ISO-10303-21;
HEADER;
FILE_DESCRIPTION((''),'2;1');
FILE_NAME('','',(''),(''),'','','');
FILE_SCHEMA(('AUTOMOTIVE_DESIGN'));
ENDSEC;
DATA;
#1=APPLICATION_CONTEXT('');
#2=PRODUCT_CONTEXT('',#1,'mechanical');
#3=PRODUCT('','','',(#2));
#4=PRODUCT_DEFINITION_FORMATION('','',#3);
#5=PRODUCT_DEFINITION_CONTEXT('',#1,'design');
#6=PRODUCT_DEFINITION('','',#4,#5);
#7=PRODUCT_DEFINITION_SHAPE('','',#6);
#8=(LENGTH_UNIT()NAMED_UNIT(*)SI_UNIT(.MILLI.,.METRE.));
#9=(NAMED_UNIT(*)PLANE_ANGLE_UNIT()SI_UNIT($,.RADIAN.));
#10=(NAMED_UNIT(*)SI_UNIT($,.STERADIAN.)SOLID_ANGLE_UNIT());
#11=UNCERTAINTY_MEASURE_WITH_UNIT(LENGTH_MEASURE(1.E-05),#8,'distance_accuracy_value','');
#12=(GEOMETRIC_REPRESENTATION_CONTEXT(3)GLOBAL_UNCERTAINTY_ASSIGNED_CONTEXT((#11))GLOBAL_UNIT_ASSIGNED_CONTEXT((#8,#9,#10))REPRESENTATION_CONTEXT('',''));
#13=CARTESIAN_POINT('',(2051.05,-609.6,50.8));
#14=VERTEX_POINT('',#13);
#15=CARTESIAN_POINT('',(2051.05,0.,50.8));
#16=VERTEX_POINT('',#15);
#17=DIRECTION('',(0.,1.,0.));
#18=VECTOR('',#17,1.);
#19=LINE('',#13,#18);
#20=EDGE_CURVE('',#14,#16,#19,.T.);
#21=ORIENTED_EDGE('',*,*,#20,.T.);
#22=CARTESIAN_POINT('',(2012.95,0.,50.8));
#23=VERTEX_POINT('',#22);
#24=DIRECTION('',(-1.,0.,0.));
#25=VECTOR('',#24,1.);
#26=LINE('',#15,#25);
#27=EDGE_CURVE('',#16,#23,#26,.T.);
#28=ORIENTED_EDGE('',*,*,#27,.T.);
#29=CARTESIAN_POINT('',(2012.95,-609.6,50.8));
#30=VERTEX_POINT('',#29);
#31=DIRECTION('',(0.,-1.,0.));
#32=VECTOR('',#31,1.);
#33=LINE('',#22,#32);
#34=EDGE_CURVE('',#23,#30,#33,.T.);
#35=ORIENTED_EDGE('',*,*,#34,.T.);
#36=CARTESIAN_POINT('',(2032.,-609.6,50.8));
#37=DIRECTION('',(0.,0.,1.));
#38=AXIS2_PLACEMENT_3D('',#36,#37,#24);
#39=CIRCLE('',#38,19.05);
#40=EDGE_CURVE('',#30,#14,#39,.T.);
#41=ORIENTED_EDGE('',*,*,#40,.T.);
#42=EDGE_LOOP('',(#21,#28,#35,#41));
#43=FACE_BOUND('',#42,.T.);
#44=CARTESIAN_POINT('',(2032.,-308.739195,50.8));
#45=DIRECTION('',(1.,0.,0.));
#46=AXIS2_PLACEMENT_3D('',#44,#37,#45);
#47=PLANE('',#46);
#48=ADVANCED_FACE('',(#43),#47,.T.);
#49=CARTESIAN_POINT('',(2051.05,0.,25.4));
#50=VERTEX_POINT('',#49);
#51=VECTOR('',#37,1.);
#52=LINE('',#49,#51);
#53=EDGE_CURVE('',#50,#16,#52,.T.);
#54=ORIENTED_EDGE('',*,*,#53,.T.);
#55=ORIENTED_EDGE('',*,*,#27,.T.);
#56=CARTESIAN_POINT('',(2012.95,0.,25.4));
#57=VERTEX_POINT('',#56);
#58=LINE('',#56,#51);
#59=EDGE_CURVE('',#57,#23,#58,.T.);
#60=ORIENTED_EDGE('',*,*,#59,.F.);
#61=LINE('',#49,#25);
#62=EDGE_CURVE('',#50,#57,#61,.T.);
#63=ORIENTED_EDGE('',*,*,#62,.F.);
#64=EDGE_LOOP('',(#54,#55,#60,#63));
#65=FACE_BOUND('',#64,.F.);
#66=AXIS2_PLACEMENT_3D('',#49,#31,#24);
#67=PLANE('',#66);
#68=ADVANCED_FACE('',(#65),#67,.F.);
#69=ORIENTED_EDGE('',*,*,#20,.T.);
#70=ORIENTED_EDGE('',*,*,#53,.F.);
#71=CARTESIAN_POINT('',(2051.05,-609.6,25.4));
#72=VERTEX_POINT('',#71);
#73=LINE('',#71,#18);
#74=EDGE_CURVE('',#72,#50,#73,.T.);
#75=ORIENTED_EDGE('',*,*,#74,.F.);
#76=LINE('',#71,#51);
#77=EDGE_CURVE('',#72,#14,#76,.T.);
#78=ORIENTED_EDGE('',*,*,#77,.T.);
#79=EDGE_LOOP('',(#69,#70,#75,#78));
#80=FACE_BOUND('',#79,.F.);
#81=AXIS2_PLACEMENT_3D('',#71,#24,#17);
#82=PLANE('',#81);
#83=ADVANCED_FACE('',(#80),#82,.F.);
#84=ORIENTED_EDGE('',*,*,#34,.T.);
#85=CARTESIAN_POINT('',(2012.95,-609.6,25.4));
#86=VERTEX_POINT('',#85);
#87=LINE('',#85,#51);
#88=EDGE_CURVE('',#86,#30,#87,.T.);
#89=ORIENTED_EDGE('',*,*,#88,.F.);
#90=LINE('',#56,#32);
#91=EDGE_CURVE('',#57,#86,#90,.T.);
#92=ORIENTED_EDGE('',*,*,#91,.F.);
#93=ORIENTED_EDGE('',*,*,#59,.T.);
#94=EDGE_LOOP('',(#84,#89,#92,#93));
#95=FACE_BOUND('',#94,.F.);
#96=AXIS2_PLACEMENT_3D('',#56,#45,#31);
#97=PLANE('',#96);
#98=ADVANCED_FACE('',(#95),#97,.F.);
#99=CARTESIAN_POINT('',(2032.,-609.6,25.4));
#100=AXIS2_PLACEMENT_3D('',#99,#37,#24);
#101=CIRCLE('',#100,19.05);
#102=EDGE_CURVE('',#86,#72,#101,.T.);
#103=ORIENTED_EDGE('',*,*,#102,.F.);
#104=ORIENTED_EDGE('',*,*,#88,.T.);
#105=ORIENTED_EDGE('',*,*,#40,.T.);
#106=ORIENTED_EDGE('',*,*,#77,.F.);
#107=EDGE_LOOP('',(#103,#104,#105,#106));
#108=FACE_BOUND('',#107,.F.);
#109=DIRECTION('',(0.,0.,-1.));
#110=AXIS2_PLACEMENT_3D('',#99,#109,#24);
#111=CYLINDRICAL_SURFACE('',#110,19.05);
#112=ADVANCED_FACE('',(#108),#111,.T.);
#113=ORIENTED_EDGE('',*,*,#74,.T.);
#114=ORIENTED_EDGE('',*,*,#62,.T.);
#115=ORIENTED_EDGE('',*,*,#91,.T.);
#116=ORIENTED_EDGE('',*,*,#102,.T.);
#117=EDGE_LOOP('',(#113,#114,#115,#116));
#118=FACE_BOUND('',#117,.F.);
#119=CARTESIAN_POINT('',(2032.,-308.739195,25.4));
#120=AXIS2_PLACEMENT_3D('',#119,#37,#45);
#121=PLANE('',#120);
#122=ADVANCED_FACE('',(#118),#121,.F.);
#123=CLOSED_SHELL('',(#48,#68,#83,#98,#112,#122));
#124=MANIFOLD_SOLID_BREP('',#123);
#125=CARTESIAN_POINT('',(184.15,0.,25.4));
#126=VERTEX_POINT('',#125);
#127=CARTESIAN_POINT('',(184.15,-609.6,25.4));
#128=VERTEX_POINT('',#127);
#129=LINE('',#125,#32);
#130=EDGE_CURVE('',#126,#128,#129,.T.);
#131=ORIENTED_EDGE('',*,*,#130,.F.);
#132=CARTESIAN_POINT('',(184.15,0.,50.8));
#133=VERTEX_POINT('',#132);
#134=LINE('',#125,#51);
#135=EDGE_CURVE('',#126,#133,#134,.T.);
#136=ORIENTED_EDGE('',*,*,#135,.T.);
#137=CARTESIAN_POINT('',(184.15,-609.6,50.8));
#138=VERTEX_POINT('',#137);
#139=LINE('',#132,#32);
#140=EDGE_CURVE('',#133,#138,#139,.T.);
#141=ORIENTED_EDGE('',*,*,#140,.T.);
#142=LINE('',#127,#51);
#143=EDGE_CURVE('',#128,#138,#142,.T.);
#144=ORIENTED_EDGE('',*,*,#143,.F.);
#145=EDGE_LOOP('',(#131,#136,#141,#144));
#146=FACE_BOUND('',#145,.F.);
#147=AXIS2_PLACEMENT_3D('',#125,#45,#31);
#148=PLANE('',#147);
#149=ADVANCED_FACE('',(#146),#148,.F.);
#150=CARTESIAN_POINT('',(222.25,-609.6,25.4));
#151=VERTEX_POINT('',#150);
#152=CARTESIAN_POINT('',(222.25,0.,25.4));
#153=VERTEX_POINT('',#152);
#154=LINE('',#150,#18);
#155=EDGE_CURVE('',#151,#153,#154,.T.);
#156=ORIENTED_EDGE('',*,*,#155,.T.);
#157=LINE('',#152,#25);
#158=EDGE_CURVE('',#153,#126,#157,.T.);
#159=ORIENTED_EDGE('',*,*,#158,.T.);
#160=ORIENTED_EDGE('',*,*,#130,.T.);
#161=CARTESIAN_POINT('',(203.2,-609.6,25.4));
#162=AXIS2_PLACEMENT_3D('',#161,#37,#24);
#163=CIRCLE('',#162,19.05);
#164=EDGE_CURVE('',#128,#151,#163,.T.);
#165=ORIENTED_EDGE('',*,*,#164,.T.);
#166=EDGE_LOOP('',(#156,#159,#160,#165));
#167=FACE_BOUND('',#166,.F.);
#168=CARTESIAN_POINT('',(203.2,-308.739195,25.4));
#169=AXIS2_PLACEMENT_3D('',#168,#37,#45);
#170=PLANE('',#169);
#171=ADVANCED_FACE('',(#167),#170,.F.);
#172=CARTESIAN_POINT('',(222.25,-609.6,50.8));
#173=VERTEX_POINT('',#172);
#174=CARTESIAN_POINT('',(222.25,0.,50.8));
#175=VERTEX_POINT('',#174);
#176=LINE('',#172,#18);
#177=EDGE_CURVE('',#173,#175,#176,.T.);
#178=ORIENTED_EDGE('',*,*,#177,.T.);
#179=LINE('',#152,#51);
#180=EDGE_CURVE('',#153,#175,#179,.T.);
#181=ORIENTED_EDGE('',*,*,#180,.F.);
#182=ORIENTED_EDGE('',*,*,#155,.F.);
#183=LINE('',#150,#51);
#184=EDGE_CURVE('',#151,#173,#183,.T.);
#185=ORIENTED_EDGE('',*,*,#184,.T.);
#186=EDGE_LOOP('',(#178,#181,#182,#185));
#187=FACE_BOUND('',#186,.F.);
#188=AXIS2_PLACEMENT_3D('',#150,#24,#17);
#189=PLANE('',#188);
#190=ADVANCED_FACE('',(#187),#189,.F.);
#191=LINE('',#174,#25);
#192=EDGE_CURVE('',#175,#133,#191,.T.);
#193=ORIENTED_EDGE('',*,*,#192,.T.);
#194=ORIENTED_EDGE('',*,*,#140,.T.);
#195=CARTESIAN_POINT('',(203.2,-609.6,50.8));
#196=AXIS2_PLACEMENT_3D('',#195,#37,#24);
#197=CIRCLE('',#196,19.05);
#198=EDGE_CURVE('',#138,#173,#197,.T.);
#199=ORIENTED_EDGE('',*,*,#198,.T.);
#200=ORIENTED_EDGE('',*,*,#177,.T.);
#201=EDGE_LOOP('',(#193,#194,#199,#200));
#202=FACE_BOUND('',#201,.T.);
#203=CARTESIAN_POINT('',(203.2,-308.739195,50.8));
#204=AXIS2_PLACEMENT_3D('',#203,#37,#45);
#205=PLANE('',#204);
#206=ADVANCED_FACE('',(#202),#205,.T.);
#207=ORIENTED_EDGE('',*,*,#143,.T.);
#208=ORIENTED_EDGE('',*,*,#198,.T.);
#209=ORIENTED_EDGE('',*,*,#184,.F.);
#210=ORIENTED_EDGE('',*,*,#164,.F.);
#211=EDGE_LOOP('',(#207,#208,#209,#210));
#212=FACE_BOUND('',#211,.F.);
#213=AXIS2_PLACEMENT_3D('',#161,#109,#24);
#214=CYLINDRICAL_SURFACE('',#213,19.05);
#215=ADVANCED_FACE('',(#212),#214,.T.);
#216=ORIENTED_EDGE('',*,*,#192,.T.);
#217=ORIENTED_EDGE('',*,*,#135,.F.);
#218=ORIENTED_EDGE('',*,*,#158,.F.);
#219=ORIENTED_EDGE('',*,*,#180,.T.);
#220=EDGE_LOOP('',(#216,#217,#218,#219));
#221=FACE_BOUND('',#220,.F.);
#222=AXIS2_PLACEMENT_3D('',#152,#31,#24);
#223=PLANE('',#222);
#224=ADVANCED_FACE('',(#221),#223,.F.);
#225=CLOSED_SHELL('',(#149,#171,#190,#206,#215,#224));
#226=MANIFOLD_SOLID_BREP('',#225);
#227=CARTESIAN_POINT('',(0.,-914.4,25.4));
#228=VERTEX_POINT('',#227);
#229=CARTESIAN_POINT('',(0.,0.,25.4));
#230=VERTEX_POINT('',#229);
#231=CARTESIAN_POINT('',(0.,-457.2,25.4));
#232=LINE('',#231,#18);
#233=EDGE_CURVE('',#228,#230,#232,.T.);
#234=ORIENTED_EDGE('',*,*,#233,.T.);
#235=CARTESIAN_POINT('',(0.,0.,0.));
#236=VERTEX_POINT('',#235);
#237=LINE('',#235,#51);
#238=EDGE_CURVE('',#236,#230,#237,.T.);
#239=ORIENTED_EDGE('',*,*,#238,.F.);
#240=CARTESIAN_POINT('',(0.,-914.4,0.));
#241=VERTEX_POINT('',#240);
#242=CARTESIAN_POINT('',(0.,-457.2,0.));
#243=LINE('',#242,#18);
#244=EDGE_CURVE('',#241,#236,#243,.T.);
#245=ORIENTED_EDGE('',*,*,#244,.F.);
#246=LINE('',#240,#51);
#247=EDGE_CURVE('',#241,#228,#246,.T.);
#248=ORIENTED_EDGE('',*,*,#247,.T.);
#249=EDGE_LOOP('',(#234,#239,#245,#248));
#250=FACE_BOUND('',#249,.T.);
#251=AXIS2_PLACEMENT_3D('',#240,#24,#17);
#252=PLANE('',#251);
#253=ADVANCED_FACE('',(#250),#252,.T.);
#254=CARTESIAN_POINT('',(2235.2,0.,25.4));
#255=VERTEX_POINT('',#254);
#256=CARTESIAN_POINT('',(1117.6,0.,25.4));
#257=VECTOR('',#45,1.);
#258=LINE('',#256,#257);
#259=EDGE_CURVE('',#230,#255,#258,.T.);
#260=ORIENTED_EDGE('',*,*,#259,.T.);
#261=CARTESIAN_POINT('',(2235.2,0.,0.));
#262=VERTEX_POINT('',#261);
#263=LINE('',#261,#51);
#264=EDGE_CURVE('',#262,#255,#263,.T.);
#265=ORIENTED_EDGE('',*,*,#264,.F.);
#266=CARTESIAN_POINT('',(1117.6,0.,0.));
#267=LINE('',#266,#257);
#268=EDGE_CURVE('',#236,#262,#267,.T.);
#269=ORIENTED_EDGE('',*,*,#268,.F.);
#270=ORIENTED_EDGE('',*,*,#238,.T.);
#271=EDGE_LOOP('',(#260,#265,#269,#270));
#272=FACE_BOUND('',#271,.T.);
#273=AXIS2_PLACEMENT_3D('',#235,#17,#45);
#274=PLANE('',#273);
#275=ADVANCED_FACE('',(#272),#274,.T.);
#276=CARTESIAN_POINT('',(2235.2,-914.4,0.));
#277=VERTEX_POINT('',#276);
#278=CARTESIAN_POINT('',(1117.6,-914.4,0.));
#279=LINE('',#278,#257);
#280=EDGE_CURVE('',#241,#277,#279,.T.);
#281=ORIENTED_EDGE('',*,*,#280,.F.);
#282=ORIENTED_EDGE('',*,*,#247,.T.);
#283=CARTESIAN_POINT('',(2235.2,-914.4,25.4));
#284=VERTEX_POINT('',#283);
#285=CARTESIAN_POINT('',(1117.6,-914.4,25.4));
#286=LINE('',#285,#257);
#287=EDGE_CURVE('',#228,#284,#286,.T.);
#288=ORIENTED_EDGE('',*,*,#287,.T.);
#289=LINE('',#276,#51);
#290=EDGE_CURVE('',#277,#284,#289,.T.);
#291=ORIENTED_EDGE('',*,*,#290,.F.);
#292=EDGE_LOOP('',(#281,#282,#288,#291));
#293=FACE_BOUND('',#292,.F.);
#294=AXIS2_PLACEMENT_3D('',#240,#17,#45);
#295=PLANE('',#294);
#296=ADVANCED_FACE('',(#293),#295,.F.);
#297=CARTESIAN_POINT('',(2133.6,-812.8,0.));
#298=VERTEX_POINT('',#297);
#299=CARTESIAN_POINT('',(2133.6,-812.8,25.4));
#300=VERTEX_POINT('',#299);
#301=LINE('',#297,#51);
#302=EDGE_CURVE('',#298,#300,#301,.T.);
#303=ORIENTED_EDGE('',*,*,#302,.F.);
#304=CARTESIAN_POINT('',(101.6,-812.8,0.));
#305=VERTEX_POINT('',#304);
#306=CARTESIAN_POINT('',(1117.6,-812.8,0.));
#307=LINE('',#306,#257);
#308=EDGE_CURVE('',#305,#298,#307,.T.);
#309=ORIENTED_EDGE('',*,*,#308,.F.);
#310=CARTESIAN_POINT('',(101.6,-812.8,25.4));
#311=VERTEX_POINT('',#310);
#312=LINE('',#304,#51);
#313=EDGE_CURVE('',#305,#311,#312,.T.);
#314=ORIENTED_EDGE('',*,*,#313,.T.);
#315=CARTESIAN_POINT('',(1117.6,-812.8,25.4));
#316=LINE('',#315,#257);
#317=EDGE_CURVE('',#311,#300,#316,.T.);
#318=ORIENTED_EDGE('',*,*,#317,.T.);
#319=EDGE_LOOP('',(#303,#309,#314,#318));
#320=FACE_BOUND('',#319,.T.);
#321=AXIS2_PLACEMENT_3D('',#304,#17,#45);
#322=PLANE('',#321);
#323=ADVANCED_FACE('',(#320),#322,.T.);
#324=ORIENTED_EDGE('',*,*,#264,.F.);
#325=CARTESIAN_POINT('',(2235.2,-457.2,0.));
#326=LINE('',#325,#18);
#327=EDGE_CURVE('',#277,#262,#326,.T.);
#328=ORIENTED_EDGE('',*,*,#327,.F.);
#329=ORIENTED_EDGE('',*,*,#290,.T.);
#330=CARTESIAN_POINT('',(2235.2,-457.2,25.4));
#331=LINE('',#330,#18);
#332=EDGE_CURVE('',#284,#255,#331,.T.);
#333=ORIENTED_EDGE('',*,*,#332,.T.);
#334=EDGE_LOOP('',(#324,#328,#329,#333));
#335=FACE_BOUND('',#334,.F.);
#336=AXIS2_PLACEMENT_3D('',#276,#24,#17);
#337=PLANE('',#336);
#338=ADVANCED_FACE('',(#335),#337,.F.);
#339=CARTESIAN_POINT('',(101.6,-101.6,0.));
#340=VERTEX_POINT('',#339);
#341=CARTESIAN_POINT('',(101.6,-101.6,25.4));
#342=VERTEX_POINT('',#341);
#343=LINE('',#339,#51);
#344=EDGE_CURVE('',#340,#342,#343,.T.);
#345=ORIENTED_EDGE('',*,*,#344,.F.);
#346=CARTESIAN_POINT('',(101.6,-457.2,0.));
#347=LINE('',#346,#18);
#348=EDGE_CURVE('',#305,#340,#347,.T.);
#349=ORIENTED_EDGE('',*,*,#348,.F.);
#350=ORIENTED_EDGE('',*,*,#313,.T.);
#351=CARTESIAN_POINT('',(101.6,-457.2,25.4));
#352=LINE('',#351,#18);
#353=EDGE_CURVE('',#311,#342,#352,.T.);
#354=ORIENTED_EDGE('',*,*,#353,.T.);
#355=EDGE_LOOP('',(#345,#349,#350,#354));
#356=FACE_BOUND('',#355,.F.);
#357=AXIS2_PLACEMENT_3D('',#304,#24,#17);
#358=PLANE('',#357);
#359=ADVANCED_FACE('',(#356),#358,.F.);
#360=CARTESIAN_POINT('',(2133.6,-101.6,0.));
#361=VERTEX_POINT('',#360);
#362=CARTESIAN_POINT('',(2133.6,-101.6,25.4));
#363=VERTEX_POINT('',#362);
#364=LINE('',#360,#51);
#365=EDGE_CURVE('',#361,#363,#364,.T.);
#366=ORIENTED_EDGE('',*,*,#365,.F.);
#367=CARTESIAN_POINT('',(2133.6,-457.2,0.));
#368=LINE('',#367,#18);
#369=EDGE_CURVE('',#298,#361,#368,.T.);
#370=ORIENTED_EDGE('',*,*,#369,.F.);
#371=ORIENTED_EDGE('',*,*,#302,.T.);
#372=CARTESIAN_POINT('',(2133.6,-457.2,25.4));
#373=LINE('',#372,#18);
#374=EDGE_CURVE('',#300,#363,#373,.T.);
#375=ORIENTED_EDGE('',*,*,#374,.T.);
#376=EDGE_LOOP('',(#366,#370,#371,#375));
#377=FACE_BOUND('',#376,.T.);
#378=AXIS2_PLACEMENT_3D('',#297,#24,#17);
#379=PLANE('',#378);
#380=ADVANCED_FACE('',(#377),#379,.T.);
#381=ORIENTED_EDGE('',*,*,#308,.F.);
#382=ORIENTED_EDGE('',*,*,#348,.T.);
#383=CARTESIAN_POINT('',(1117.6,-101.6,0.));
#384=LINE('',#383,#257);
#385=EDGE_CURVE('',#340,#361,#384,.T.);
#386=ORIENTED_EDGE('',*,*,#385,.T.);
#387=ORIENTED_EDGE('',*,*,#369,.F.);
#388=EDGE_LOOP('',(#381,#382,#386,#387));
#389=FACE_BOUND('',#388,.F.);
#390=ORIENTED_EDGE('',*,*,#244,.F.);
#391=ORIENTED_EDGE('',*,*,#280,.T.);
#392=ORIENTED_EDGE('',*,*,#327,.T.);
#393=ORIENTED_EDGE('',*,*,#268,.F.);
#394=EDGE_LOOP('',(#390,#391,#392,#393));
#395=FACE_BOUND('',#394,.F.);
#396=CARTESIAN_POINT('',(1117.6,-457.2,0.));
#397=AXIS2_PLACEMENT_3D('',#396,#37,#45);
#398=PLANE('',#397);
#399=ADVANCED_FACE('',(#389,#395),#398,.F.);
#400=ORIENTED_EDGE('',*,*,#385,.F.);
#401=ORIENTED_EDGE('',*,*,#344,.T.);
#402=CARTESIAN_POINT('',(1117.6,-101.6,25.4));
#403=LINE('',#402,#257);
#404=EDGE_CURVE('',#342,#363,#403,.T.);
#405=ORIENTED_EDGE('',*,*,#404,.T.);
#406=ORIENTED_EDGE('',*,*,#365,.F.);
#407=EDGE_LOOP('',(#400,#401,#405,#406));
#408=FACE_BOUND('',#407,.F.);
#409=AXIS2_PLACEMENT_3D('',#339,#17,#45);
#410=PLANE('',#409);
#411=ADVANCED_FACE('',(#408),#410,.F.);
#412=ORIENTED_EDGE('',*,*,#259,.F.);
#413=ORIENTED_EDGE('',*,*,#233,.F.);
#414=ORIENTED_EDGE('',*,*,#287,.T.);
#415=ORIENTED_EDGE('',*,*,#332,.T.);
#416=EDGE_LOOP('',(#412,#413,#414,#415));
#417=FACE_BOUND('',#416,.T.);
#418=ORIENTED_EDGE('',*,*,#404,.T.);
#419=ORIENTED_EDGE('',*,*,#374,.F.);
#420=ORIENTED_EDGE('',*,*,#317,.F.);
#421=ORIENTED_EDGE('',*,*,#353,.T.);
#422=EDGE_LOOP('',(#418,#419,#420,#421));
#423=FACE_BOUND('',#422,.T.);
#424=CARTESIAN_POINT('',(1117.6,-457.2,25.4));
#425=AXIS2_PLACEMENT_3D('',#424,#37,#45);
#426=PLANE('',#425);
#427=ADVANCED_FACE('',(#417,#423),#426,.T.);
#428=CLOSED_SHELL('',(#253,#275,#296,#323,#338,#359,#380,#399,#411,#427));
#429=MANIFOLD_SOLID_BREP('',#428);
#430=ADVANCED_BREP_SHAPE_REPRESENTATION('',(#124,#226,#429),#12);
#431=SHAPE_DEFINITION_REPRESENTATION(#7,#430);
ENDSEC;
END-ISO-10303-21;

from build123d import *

# Parameters (mm, degrees)
F0_W     = 2235.2
F0_H     = 914.4
F0_W_2   = 2032
F0_H_2   = 711.2
F1_DEPTH = 25.4
F3_DEPTH = 25.4


with BuildPart() as f1:
    # F0 (on Top) → F1 (new body)
    with BuildSketch(Plane.XY):
        with Locations((1117.6, -457.2)):
            Rectangle(F0_W, F0_H)
        with Locations((1117.6, -457.2)):
            Rectangle(F0_W_2, F0_H_2, mode=Mode.SUBTRACT)
    extrude(amount=F1_DEPTH)


with BuildPart() as f3:
    # F2 (on face) → F3 (new body)
    with BuildSketch(Plane.XY.offset(25.4)):
        with BuildLine():
            Line((222.25, 0), (184.15, 0))
            Line((184.15, 0), (184.15, -609.6))
            ThreePointArc((184.15, -609.6), (203.2, -590.55), (222.25, -609.6))
            Line((222.25, -609.6), (222.25, 0))
        make_face()
        with BuildLine():
            ThreePointArc((222.25, -609.6), (203.2, -590.55), (184.15, -609.6))
            Line((184.15, -609.6), (222.25, -609.6))
        make_face()
        with BuildLine():
            Line((222.25, -609.6), (184.15, -609.6))
            ThreePointArc((184.15, -609.6), (203.2, -628.65), (222.25, -609.6))
        make_face()
    extrude(amount=F3_DEPTH)


with BuildPart() as f3b:
    # F2 (on face) → F3, piece 2 (new body)
    with BuildSketch(Plane.XY.offset(25.4)):
        with BuildLine():
            Line((2051.05, 0), (2012.95, 0))
            Line((2012.95, 0), (2012.95, -609.6))
            ThreePointArc((2012.95, -609.6), (2032, -590.55), (2051.05, -609.6))
            Line((2051.05, -609.6), (2051.05, 0))
        make_face()
        with BuildLine():
            ThreePointArc((2051.05, -609.6), (2032, -590.55), (2012.95, -609.6))
            Line((2012.95, -609.6), (2051.05, -609.6))
        make_face()
        with BuildLine():
            Line((2051.05, -609.6), (2012.95, -609.6))
            ThreePointArc((2012.95, -609.6), (2032, -628.65), (2051.05, -609.6))
        make_face()
    extrude(amount=F3_DEPTH)


solid = Compound([f1.part, f3.part, f3b.part])
